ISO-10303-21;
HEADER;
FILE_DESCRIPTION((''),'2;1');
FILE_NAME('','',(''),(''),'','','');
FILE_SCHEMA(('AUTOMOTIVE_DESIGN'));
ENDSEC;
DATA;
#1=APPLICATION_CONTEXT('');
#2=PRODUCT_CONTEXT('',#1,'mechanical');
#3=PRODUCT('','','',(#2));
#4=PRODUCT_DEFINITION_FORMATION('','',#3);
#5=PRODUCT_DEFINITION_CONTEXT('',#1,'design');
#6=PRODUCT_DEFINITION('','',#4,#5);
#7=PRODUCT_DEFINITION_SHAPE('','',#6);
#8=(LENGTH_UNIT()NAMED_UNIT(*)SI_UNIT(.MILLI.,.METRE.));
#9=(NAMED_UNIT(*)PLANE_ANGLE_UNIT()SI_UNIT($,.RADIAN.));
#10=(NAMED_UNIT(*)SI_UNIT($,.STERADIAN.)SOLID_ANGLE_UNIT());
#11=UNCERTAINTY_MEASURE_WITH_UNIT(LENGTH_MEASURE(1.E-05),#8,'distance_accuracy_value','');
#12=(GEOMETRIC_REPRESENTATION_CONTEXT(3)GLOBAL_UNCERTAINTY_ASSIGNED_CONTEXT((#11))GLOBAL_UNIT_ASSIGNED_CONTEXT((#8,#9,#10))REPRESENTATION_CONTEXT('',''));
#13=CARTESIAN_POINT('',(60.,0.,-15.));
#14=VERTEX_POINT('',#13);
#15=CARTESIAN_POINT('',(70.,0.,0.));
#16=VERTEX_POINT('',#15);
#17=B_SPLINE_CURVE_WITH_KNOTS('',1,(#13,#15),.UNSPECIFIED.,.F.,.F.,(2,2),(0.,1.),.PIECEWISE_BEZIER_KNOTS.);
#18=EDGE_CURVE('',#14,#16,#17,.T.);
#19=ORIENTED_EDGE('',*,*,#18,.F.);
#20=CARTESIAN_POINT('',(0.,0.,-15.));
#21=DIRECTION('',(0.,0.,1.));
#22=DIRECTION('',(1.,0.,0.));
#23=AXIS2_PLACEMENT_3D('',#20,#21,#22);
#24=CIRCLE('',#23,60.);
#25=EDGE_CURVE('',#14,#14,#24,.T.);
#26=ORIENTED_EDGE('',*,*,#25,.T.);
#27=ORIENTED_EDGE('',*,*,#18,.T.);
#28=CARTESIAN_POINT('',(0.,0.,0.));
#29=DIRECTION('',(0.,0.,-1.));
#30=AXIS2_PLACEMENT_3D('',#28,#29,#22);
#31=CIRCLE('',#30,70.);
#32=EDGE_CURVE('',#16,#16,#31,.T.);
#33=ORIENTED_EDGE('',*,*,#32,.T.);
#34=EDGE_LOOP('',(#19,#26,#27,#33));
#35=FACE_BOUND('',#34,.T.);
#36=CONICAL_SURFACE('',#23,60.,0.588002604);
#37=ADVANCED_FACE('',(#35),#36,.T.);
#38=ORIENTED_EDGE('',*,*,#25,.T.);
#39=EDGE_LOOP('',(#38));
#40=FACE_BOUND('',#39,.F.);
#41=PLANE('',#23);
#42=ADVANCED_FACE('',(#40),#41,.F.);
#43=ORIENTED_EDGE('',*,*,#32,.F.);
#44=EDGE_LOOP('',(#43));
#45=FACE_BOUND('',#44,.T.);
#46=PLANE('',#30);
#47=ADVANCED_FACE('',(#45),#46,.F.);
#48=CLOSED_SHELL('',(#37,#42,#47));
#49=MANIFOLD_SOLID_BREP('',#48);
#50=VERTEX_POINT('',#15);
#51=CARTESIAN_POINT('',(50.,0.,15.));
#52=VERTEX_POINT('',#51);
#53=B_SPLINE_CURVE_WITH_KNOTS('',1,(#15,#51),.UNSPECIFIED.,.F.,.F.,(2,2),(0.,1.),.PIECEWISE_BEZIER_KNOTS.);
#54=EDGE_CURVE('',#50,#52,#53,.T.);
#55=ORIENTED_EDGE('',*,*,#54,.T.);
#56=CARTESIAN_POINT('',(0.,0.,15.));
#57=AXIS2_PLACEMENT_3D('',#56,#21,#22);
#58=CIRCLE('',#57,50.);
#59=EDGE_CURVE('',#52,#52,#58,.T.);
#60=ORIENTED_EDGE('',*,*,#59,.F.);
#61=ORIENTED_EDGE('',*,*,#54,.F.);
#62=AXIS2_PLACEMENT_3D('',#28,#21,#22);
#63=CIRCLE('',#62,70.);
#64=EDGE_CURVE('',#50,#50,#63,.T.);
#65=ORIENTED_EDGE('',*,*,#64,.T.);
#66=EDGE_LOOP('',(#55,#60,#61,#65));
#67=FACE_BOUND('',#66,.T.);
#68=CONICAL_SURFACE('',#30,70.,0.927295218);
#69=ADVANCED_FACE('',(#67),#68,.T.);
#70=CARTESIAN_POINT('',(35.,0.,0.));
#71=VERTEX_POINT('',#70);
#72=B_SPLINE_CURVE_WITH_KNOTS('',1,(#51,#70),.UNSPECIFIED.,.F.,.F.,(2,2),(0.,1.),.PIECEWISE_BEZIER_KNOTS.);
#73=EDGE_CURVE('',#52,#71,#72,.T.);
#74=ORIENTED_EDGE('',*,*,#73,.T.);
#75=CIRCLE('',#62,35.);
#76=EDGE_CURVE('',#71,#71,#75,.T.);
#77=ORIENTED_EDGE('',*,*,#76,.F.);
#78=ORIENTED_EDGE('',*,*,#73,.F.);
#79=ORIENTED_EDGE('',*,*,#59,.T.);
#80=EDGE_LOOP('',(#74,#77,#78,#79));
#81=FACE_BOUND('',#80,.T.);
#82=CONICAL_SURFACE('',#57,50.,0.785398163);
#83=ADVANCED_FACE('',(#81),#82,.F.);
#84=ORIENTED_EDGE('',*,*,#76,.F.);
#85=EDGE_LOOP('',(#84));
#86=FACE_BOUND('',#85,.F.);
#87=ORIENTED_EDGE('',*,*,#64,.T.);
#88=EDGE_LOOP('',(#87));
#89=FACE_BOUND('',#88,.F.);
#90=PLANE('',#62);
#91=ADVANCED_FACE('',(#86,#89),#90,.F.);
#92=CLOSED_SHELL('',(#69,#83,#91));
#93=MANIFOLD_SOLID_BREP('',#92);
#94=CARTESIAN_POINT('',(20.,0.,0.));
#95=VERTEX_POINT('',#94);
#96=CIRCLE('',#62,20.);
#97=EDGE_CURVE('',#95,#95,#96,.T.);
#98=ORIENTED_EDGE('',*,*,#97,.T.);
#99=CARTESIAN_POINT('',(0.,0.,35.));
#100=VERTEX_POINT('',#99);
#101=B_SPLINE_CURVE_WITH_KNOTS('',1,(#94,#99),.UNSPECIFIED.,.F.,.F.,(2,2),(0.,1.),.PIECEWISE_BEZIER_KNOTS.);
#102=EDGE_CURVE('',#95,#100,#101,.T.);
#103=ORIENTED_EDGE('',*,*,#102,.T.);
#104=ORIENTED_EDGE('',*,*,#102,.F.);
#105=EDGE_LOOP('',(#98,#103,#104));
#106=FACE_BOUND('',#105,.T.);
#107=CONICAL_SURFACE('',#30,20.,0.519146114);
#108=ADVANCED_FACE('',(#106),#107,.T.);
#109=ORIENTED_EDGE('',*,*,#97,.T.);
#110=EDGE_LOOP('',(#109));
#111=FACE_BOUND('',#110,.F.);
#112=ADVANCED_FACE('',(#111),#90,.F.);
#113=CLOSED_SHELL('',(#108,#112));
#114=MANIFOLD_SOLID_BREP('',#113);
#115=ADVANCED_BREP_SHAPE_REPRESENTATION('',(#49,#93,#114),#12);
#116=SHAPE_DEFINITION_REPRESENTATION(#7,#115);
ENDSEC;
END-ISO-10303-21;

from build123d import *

# Parameters (mm, degrees)
F0_R       = 70
F2_R       = 50
F5_R       = 60
F3_FACE_R  = 70
F3_FACE1_R = 50
F7_R       = 35
F9_R       = 20


with BuildPart() as f3:
    # F0 (on Top) → F3 section 0
    with BuildSketch(Plane.XY):
        Circle(F0_R)
    # F2 (on offset) → F3 section 1
    with BuildSketch(Plane.XY.offset(15)):
        Circle(F2_R)
    loft()

    # F3_face1 (on face) → F8 section 0
    with BuildSketch(Plane.XY.offset(15)):
        Circle(F3_FACE1_R)
    # F7 (on Top) → F8 section 1
    with BuildSketch(Plane.XY):
        Circle(F7_R)
    loft(mode=Mode.SUBTRACT)


with BuildPart() as f6:
    # F5 (on offset) → F6 section 0
    with BuildSketch(Plane.XY.offset(-15)):
        Circle(F5_R)
    # F3_face (on face) → F6 section 1
    with BuildSketch(Plane(origin=(0, 0, 0), x_dir=(1, 0, 0), z_dir=(0, 0, -1))):
        Circle(F3_FACE_R)
    loft()


with BuildPart() as f12:
    # F9 (on Top) → F12 section 0
    with BuildSketch(Plane.XY, mode=Mode.PRIVATE) as f12_s0:
        Circle(F9_R)
    loft([f12_s0.sketch, Vertex(0, 0, 35)])


solid = Compound([f3.part, f6.part, f12.part])
